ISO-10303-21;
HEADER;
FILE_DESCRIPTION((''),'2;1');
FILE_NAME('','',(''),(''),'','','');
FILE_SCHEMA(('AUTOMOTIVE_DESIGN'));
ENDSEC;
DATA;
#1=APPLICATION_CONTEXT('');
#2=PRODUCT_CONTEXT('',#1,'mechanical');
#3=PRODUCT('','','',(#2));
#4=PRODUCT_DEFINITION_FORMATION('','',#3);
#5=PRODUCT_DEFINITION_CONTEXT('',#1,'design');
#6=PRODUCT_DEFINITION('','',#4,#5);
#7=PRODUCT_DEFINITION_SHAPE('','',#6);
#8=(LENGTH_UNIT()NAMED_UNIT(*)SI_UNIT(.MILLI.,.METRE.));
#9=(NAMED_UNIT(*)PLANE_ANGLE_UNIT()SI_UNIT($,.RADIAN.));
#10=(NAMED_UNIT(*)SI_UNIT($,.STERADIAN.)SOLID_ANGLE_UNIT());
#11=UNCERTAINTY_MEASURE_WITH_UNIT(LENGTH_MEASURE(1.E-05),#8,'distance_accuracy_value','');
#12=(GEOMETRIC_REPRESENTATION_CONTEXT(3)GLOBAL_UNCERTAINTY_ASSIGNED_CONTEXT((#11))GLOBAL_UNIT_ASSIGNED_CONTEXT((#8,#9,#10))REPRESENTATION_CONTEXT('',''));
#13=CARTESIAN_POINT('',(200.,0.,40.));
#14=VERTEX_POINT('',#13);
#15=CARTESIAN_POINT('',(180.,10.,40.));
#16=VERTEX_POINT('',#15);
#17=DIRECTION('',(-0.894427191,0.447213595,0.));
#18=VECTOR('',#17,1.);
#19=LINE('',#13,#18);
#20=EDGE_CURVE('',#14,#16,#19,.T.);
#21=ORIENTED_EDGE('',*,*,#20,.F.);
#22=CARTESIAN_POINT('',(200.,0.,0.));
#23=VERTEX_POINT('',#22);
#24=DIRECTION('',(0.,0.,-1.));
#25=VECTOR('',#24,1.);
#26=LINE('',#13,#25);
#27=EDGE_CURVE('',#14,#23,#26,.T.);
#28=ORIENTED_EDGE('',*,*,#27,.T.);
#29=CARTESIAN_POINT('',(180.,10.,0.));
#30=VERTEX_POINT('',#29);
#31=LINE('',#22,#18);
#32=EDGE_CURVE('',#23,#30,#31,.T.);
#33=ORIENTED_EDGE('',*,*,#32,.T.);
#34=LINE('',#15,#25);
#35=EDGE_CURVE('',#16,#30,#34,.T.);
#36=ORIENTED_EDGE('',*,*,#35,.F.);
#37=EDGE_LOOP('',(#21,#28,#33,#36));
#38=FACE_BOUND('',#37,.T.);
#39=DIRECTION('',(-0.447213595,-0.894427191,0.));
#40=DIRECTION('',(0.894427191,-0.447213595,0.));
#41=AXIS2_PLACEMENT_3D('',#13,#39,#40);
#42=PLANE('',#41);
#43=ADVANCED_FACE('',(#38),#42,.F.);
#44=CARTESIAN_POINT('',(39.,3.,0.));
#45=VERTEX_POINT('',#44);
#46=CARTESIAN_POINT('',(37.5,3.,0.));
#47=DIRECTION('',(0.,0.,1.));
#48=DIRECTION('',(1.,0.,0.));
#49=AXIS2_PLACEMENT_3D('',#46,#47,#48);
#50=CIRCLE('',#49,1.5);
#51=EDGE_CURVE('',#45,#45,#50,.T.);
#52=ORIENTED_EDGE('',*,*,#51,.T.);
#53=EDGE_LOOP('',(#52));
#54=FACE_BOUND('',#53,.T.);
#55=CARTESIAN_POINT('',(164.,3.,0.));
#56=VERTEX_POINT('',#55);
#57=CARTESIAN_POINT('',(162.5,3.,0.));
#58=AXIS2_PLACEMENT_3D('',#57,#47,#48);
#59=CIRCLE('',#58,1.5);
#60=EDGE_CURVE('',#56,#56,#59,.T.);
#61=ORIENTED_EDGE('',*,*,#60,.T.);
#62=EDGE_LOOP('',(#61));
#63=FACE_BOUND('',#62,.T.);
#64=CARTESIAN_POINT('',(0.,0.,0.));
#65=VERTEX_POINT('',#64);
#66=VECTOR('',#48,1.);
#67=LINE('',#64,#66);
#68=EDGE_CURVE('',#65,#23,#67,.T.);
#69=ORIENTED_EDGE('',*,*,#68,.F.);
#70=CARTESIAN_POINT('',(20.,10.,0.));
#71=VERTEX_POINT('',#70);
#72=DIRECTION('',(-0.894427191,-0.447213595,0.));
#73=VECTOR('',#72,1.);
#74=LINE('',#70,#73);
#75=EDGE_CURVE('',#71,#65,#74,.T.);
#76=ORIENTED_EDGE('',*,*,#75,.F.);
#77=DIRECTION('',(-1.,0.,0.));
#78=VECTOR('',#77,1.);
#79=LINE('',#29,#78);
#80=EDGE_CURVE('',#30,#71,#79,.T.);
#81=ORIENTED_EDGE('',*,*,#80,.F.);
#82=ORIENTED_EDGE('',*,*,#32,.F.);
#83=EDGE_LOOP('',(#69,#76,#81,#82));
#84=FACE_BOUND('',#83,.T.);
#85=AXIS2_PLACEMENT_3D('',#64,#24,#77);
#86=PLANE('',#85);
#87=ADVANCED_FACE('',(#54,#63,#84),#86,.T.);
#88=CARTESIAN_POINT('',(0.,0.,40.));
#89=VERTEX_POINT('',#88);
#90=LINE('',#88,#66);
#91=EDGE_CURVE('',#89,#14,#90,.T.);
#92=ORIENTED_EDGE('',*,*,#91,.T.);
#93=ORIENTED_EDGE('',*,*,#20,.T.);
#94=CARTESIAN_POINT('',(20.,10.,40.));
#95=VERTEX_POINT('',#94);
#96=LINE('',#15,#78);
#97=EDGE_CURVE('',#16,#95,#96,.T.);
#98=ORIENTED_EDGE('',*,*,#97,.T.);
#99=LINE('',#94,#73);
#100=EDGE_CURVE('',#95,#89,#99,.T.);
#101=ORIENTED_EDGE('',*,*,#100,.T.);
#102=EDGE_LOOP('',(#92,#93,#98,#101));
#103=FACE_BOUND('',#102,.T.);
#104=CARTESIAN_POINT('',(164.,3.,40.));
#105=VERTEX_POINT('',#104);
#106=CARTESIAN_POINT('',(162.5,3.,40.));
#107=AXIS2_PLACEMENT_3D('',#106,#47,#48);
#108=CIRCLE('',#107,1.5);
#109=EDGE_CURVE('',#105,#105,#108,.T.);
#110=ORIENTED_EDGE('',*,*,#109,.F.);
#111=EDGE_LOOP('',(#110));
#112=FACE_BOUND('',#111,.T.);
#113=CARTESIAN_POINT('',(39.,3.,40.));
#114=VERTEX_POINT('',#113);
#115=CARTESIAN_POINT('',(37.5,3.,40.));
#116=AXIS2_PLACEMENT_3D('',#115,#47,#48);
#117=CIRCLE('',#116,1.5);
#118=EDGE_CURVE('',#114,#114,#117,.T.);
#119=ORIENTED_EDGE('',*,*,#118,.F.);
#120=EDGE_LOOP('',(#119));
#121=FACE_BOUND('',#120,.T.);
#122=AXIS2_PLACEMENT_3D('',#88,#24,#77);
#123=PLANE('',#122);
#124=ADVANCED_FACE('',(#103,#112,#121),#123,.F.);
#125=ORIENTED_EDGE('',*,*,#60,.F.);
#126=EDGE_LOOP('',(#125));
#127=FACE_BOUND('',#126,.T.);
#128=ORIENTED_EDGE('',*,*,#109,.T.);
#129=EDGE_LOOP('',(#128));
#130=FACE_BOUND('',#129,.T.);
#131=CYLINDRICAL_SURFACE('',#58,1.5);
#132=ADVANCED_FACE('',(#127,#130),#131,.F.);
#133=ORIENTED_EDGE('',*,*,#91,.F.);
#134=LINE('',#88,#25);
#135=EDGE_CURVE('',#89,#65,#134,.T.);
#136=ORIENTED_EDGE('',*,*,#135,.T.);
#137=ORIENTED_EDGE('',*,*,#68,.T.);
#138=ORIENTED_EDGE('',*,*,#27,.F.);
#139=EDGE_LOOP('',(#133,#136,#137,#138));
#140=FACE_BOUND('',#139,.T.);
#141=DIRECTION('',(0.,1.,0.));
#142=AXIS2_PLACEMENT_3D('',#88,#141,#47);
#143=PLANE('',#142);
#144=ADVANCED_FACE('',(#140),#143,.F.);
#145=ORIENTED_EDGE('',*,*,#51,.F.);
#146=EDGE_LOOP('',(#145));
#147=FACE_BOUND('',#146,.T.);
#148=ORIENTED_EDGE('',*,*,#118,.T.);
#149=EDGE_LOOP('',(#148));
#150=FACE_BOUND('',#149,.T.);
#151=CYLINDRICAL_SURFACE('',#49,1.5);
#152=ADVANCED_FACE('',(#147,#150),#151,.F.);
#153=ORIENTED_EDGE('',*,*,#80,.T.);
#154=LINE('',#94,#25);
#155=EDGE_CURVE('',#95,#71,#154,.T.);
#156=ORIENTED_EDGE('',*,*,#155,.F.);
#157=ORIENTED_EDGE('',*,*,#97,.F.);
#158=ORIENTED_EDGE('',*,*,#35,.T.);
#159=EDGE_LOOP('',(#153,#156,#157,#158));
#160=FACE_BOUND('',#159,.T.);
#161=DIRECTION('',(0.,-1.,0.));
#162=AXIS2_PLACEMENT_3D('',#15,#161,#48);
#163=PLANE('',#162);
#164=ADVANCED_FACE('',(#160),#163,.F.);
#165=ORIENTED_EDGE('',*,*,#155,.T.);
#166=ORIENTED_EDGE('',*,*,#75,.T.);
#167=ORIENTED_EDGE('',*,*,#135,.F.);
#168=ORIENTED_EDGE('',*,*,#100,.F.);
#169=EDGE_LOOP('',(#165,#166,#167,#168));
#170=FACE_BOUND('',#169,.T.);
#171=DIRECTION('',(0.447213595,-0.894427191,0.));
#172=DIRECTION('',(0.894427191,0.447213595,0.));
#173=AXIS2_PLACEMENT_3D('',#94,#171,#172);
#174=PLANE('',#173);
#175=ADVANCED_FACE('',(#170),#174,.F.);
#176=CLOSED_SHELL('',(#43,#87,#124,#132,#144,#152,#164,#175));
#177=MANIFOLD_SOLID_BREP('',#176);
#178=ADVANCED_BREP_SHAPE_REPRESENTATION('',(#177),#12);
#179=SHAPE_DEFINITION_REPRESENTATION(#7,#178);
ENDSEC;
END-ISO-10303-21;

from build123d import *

# Parameters (mm, degrees)
EXTRUDE_1_DEPTH     = 40
SKETCH_2_R          = 1.5
CUT_EXTRUDE_1_DEPTH = 205.205778567


with BuildPart() as part:
    # 草图1 → 凸台-拉伸1 (new body)
    with BuildSketch(Plane.XY):
        Polygon((0, 0), (200, 0), (180, 10), (20, 10), align=None)
    extrude(amount=EXTRUDE_1_DEPTH)

    # 草图2 → 切除-拉伸1 (cut, through all)
    with BuildSketch(Plane.XY.offset(40)):
        with Locations((37.5, 3)):
            Circle(SKETCH_2_R)
        with Locations((162.5, 3)):
            Circle(SKETCH_2_R)
    extrude(amount=-CUT_EXTRUDE_1_DEPTH, mode=Mode.SUBTRACT)


solid = part.part
